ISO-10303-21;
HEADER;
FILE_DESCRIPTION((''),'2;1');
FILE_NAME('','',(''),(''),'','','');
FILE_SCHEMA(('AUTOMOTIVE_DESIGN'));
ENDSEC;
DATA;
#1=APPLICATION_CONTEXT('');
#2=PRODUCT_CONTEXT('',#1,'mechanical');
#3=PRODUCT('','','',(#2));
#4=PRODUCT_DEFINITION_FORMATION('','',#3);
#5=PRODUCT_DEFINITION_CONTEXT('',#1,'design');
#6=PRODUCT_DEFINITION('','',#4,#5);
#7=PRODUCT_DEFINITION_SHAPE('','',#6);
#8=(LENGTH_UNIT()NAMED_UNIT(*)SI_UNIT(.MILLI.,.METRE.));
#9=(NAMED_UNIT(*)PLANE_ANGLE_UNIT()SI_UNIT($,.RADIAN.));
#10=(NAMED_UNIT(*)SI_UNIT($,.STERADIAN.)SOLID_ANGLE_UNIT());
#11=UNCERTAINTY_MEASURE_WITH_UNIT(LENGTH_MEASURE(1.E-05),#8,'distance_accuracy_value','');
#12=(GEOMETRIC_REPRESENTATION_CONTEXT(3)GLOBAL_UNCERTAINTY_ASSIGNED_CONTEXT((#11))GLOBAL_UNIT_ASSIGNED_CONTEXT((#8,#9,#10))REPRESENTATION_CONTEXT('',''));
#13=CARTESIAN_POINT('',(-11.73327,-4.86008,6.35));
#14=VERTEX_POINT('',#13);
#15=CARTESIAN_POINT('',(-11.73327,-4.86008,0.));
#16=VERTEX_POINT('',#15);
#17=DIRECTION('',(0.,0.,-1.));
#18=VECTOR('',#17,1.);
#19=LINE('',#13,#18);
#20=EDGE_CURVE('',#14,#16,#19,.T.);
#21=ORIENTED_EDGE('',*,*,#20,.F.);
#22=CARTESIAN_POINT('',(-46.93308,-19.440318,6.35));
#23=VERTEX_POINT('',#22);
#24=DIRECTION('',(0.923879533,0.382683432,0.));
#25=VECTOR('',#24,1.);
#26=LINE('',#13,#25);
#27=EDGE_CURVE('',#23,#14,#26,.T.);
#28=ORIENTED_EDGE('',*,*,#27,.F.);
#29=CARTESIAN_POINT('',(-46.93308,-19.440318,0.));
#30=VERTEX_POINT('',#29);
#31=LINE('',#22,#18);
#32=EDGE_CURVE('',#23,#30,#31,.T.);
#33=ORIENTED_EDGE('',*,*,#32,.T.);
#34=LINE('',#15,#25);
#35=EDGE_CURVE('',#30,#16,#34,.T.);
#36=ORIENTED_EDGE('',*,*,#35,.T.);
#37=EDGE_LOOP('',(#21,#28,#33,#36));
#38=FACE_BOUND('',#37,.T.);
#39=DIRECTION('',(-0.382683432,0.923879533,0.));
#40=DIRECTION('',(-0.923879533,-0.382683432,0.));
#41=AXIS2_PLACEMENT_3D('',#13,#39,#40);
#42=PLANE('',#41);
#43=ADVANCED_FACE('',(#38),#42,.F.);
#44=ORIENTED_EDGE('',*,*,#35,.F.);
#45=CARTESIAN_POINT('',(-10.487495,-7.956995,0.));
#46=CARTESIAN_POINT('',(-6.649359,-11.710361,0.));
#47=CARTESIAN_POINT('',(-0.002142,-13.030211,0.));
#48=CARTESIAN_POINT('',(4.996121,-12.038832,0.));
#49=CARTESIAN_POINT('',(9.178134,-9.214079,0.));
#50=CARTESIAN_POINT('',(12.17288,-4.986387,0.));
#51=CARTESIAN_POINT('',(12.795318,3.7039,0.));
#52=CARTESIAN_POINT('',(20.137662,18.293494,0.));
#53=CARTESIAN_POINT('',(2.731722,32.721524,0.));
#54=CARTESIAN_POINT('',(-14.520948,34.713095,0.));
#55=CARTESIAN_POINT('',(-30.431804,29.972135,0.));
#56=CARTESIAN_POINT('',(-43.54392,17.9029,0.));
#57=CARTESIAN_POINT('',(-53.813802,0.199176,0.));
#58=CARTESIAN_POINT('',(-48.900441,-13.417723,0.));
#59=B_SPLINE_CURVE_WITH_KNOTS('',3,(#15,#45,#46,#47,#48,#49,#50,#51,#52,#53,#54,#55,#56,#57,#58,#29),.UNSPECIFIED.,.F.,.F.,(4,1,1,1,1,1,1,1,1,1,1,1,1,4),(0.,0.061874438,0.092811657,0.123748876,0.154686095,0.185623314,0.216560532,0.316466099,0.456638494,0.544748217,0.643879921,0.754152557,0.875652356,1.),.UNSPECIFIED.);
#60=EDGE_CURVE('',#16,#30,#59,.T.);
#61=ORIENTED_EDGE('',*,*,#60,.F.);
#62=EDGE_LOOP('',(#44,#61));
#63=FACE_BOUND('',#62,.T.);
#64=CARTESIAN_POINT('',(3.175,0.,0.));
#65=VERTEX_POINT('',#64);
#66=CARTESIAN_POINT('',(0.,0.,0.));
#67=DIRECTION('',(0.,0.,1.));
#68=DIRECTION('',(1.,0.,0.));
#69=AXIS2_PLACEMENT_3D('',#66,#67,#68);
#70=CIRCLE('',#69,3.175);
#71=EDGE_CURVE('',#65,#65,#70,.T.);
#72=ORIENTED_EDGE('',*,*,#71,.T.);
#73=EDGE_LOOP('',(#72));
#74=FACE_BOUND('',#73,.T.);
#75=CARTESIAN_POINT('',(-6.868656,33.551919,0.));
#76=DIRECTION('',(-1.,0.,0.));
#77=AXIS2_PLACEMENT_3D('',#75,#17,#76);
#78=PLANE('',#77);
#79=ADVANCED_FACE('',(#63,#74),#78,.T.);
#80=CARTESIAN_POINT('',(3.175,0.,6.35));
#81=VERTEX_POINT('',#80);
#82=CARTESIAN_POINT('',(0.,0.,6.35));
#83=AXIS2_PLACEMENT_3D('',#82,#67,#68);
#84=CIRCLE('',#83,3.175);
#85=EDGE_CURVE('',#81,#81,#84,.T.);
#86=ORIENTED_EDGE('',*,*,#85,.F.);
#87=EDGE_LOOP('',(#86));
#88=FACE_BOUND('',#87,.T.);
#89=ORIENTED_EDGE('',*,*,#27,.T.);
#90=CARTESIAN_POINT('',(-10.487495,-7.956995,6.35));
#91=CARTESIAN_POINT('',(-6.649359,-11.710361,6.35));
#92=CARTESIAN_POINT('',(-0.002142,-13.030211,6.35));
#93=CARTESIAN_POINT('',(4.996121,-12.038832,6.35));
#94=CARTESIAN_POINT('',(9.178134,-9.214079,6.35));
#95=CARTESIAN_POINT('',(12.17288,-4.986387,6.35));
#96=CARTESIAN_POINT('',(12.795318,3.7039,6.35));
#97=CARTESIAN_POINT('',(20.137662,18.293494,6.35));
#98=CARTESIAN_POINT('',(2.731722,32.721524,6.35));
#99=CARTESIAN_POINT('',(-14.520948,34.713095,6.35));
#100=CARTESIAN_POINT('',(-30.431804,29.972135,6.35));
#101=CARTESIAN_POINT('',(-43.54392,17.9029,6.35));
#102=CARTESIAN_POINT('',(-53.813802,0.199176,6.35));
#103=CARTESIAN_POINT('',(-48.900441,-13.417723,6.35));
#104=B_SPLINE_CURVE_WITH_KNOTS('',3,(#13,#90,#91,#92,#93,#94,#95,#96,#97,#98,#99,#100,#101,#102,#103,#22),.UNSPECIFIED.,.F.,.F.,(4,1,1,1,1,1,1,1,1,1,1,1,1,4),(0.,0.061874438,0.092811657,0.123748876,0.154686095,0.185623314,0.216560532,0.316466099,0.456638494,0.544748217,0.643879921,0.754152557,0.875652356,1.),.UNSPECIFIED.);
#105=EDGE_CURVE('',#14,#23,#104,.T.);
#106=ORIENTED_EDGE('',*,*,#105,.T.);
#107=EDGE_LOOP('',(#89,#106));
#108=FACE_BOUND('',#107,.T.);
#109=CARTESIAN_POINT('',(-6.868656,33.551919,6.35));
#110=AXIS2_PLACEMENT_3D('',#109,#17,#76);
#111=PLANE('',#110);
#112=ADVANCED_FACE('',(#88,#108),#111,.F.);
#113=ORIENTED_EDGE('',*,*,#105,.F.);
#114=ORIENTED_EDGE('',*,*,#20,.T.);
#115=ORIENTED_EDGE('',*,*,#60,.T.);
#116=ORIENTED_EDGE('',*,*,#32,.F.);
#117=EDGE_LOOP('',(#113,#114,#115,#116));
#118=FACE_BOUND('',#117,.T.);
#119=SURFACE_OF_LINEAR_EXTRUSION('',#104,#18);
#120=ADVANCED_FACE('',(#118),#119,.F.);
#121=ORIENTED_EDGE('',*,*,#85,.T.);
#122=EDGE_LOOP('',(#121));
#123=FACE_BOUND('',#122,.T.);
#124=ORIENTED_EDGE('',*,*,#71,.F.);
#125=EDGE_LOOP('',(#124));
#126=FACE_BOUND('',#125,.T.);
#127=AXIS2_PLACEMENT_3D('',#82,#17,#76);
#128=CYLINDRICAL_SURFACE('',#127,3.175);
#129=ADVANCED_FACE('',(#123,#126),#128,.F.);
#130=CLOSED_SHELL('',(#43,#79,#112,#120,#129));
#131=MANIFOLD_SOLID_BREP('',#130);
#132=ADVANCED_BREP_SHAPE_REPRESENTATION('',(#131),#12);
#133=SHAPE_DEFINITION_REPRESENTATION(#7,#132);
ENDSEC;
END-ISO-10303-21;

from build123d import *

# Parameters (mm, degrees)
SKETCH1_R           = 3.175
BOSS_EXTRUDE1_DEPTH = 6.35


with BuildPart() as part:
    # Sketch1 → Boss-Extrude1 (new body)
    with BuildSketch(Plane.XY):
        with BuildLine():
            Line((-11.733270063, -4.860079591), (-46.933080252, -19.440318364))
            add(Edge.make_bspline(
                [(-11.733270063, -4.860079591), (-10.487495203, -7.956994553), (-6.64935925, -11.710360551), (-0.002141621, -13.030211087), (4.996121329, -12.038832469), (9.178133853, -9.214079414), (12.172879986, -4.9863866), (12.795317649, 3.703899521), (20.137661814, 18.293493751), (2.731721861, 32.72152417), (-14.520947687, 34.713095279), (-30.431804282, 29.972134805), (-43.543919582, 17.902900125), (-53.813801552, 0.199176097), (-48.900440529, -13.417723456), (-46.933080252, -19.440318364)],
                knots=[0, 0, 0, 0, 0.061874438, 0.092811657, 0.123748876, 0.154686095, 0.185623314, 0.216560532, 0.316466099, 0.456638494, 0.544748217, 0.643879921, 0.754152557, 0.875652356, 1, 1, 1, 1], degree=3))
        make_face()
        Circle(SKETCH1_R, mode=Mode.SUBTRACT)
    extrude(amount=BOSS_EXTRUDE1_DEPTH)


solid = part.part
